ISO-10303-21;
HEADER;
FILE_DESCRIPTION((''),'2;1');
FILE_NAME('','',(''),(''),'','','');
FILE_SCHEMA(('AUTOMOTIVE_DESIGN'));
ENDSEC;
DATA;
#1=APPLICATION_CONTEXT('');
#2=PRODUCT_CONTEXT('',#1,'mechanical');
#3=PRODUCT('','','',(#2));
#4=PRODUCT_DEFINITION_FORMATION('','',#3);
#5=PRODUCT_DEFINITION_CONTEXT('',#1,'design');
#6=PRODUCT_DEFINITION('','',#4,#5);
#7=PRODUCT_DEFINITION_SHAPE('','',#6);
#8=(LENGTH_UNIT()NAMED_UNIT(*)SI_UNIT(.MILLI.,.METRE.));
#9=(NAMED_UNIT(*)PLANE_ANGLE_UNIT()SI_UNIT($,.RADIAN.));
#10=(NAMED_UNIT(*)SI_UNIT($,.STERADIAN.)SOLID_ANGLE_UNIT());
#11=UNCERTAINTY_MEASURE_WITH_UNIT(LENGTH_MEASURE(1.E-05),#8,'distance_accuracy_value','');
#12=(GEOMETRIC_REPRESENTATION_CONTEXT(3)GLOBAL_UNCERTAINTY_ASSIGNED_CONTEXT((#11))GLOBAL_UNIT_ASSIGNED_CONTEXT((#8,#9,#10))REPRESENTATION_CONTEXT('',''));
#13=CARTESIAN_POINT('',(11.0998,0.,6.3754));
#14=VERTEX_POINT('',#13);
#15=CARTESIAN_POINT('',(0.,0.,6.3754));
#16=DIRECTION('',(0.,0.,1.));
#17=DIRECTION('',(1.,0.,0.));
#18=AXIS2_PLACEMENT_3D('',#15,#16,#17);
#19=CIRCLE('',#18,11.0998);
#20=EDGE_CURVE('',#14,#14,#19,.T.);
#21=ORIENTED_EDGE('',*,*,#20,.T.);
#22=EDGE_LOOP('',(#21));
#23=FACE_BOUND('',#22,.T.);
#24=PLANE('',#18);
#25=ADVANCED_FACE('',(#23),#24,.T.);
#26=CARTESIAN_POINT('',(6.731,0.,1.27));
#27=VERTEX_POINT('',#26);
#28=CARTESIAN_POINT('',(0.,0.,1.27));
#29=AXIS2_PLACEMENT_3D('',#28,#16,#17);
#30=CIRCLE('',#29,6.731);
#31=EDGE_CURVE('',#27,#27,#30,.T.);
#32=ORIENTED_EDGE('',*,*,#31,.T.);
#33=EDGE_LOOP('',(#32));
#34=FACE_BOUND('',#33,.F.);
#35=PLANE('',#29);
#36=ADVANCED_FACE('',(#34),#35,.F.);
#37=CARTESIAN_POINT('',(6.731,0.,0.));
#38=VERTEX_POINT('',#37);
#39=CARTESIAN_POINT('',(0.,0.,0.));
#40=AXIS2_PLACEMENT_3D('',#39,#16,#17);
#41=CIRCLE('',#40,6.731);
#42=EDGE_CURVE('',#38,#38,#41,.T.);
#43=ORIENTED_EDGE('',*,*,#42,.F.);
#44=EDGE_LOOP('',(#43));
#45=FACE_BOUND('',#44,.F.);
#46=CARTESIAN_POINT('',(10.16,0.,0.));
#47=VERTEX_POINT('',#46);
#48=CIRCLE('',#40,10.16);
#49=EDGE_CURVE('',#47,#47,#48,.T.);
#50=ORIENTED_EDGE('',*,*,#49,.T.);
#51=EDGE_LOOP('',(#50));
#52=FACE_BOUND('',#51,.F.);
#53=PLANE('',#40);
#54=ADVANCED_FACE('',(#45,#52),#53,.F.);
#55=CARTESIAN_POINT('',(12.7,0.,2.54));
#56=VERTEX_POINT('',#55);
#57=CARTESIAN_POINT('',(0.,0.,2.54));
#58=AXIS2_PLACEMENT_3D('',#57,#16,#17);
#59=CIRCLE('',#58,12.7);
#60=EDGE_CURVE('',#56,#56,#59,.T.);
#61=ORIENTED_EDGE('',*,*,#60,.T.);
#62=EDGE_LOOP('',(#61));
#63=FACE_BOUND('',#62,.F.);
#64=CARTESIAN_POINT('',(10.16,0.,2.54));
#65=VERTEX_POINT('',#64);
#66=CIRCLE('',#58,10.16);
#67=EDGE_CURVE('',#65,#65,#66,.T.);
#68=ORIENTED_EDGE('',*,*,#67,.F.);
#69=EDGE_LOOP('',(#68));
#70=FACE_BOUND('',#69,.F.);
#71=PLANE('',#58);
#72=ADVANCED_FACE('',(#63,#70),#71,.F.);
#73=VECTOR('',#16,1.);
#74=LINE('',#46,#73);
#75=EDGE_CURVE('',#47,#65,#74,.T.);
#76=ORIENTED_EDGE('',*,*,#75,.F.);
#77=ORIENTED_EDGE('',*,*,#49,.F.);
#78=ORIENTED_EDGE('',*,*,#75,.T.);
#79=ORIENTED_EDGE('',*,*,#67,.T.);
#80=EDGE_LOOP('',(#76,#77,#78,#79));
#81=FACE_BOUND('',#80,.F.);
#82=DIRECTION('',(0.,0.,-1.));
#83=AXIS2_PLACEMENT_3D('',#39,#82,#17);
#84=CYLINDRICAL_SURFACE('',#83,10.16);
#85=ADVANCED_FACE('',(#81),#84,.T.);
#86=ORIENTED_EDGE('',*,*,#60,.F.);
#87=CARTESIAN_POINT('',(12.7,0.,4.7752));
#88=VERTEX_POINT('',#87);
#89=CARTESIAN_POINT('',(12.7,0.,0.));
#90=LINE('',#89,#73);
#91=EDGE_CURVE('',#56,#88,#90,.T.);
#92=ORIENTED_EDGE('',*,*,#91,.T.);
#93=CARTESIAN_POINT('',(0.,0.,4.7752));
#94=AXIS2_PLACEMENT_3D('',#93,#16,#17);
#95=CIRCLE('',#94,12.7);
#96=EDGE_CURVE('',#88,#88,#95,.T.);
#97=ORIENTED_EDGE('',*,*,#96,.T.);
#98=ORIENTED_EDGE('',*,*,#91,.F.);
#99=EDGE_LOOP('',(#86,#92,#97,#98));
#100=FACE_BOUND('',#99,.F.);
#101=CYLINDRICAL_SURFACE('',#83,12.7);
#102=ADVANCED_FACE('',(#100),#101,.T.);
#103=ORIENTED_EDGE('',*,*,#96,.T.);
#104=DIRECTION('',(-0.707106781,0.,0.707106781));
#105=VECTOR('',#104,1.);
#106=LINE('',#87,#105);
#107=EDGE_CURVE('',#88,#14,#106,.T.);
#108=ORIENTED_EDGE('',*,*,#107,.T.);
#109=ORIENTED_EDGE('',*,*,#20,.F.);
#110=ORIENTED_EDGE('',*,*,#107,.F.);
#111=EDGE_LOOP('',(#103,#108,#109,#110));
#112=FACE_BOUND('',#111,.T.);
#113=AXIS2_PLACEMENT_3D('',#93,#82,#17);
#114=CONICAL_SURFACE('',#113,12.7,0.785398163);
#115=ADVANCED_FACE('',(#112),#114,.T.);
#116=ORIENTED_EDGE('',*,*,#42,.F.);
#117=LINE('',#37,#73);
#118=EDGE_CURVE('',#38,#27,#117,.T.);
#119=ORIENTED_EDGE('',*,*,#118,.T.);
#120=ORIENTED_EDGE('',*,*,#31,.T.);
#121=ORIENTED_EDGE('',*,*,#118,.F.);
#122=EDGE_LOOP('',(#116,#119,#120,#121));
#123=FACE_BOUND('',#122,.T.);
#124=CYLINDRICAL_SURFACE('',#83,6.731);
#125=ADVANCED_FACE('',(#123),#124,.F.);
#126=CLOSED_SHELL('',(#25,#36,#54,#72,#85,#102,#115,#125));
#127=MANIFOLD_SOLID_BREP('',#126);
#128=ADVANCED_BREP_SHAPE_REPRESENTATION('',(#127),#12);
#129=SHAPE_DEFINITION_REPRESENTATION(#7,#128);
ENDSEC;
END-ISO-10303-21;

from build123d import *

# Parameters (mm, degrees)
F0_R     = 12.7
F0_R_2   = 10.16
F0_R_3   = 6.731
F1_DEPTH = 6.3754
F2_DEPTH = 2.54
F3_DEPTH = 1.27
F4_SIZE  = 1.6002


with BuildPart() as f1:
    # F0 (on Top) → F1 (new body)
    with BuildSketch(Plane.XY):
        Circle(F0_R)
        Circle(F0_R_2, mode=Mode.SUBTRACT)
        Circle(F0_R_2)
        Circle(F0_R_3, mode=Mode.SUBTRACT)
        Circle(F0_R_3)
    extrude(amount=F1_DEPTH)

    # F0 (on Top) → F2 (cut)
    with BuildSketch(Plane.XY):
        Circle(F0_R)
        Circle(F0_R_2, mode=Mode.SUBTRACT)
    extrude(amount=F2_DEPTH, mode=Mode.SUBTRACT)

    # F0 (on Top) → F3 (cut)
    with BuildSketch(Plane.XY):
        Circle(F0_R_3)
    extrude(amount=F3_DEPTH, mode=Mode.SUBTRACT)

    # F4
    f4_edges = [f1.edges().sort_by_distance(p)[0] for p in [
        (-12.7, 0, 6.3754),
    ]]
    chamfer(f4_edges, length=F4_SIZE)


solid = f1.part
